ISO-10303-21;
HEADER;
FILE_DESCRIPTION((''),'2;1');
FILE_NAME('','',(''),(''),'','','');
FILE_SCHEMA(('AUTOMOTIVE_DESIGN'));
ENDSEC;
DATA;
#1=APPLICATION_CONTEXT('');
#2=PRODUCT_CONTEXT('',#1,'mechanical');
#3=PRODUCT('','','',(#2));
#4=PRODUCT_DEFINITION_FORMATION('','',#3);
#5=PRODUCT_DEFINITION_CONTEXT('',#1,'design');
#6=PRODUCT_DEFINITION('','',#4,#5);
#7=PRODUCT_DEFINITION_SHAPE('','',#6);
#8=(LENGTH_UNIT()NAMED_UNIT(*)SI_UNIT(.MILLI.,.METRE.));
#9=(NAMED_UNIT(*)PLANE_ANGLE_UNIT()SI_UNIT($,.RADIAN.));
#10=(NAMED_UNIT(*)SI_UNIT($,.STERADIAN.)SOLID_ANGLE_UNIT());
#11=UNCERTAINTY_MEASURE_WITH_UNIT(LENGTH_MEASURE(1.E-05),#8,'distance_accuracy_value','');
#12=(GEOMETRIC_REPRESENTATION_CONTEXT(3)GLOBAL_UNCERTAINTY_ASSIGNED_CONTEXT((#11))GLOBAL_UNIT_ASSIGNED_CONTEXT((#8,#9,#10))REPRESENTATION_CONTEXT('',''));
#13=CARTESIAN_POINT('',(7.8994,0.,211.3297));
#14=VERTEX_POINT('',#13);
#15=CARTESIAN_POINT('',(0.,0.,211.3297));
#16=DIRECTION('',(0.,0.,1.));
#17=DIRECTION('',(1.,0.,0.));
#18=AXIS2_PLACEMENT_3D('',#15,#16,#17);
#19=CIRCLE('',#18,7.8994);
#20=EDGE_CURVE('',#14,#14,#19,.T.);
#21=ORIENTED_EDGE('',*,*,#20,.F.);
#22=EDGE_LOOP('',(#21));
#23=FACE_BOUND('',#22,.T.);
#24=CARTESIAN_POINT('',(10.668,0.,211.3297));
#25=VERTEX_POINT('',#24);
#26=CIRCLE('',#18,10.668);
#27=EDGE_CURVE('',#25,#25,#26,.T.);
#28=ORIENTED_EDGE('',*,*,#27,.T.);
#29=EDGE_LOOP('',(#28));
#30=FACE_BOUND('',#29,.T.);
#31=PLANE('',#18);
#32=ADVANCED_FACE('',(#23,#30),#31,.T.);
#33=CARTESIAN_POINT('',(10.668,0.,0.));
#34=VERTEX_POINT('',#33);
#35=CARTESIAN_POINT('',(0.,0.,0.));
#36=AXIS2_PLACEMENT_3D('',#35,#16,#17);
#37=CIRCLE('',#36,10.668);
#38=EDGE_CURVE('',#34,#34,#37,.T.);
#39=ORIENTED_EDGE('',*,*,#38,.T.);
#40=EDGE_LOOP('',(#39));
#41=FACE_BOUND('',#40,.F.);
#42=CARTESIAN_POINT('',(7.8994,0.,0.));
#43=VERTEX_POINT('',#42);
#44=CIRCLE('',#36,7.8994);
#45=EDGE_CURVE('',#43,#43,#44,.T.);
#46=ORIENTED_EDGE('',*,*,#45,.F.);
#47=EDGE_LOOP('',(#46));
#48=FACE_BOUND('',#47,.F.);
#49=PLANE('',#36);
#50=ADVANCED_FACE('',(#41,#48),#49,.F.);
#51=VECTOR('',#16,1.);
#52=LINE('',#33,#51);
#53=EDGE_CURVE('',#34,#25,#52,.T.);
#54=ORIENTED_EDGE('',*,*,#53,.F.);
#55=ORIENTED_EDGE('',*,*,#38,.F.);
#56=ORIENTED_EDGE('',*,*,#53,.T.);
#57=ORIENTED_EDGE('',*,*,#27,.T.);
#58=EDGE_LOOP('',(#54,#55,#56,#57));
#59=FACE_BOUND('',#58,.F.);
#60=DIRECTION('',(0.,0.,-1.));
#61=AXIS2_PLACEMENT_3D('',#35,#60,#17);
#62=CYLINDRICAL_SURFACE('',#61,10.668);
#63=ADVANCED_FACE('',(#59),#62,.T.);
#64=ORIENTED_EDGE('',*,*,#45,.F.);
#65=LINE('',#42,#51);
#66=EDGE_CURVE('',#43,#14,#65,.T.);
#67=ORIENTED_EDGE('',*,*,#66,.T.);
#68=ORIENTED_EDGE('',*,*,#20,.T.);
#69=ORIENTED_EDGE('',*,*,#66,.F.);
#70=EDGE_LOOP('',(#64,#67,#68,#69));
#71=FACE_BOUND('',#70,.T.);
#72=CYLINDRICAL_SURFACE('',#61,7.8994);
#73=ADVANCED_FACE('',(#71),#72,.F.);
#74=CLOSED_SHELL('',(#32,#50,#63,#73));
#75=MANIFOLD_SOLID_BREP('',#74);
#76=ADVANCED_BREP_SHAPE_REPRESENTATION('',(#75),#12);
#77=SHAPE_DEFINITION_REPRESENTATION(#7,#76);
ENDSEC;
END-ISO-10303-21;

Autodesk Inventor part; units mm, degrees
ref_plane "YZ Plane" through (0, 0, 0) normal (1, 0, 0) x (0, 1, 0)
ref_plane "Start Plane" through (0, 0, 0) normal (0, 0, 1) x (1, 0, 0)
ref_plane "End Plane" through (0, 0, 211.3297) normal (0, 0, 1) x (1, 0, 0)
sketch "Sketch" plane through (0, 0, 0) normal (0, 0, 1) x (1, 0, 0)
  circle A0 centre (0, 0) radius 7.8994
  circle A1 centre (0, 0) radius 10.668
  dimension "d0" = 21.336
  dimension "d1" = 2.7686
extrude "Body" add sketch "Sketch" along normal up to surface (211.3297 mm away) from surface at 0
sketch "Sketch3" plane through (0, 0, 0) normal (0, 0, 1) x (1, 0, 0)
  line L0 (0, 0) -> (10, 0)
ref_plane "Work Plane3" through (0, 0, 0) normal (0, -1, 0) x (1, 0, 0)
sketch "Sketch4" plane through (0, 0, 0) normal (0, -1, 0) x (1, 0, 0)
  line L0 (-2, 0) -> (12, 0) projected
  line L1 (-2, 211.3297) -> (12, 211.3297) projected
  dimension "d7" = 211.3297
equation "\"d0\" = G_H"
equation "\"d1\" = G_T"
equation "\"d2\" = G_L"
equation "\"G_H\" = 21.336"
equation "\"G_T\" = 2.7686"
equation "\"G_L\" = d7"
equation "\"G_OFFSET_START\" = 0"
equation "\"G_OFFSET_END\" = 0"
equation "\"d5\" = G_OFFSET_END + B_L"
equation "\"B_L\" = 211.32971"
properties part number "ANSI - 1/2 x 0.109 - 8.32" material "Steel, Mild"
